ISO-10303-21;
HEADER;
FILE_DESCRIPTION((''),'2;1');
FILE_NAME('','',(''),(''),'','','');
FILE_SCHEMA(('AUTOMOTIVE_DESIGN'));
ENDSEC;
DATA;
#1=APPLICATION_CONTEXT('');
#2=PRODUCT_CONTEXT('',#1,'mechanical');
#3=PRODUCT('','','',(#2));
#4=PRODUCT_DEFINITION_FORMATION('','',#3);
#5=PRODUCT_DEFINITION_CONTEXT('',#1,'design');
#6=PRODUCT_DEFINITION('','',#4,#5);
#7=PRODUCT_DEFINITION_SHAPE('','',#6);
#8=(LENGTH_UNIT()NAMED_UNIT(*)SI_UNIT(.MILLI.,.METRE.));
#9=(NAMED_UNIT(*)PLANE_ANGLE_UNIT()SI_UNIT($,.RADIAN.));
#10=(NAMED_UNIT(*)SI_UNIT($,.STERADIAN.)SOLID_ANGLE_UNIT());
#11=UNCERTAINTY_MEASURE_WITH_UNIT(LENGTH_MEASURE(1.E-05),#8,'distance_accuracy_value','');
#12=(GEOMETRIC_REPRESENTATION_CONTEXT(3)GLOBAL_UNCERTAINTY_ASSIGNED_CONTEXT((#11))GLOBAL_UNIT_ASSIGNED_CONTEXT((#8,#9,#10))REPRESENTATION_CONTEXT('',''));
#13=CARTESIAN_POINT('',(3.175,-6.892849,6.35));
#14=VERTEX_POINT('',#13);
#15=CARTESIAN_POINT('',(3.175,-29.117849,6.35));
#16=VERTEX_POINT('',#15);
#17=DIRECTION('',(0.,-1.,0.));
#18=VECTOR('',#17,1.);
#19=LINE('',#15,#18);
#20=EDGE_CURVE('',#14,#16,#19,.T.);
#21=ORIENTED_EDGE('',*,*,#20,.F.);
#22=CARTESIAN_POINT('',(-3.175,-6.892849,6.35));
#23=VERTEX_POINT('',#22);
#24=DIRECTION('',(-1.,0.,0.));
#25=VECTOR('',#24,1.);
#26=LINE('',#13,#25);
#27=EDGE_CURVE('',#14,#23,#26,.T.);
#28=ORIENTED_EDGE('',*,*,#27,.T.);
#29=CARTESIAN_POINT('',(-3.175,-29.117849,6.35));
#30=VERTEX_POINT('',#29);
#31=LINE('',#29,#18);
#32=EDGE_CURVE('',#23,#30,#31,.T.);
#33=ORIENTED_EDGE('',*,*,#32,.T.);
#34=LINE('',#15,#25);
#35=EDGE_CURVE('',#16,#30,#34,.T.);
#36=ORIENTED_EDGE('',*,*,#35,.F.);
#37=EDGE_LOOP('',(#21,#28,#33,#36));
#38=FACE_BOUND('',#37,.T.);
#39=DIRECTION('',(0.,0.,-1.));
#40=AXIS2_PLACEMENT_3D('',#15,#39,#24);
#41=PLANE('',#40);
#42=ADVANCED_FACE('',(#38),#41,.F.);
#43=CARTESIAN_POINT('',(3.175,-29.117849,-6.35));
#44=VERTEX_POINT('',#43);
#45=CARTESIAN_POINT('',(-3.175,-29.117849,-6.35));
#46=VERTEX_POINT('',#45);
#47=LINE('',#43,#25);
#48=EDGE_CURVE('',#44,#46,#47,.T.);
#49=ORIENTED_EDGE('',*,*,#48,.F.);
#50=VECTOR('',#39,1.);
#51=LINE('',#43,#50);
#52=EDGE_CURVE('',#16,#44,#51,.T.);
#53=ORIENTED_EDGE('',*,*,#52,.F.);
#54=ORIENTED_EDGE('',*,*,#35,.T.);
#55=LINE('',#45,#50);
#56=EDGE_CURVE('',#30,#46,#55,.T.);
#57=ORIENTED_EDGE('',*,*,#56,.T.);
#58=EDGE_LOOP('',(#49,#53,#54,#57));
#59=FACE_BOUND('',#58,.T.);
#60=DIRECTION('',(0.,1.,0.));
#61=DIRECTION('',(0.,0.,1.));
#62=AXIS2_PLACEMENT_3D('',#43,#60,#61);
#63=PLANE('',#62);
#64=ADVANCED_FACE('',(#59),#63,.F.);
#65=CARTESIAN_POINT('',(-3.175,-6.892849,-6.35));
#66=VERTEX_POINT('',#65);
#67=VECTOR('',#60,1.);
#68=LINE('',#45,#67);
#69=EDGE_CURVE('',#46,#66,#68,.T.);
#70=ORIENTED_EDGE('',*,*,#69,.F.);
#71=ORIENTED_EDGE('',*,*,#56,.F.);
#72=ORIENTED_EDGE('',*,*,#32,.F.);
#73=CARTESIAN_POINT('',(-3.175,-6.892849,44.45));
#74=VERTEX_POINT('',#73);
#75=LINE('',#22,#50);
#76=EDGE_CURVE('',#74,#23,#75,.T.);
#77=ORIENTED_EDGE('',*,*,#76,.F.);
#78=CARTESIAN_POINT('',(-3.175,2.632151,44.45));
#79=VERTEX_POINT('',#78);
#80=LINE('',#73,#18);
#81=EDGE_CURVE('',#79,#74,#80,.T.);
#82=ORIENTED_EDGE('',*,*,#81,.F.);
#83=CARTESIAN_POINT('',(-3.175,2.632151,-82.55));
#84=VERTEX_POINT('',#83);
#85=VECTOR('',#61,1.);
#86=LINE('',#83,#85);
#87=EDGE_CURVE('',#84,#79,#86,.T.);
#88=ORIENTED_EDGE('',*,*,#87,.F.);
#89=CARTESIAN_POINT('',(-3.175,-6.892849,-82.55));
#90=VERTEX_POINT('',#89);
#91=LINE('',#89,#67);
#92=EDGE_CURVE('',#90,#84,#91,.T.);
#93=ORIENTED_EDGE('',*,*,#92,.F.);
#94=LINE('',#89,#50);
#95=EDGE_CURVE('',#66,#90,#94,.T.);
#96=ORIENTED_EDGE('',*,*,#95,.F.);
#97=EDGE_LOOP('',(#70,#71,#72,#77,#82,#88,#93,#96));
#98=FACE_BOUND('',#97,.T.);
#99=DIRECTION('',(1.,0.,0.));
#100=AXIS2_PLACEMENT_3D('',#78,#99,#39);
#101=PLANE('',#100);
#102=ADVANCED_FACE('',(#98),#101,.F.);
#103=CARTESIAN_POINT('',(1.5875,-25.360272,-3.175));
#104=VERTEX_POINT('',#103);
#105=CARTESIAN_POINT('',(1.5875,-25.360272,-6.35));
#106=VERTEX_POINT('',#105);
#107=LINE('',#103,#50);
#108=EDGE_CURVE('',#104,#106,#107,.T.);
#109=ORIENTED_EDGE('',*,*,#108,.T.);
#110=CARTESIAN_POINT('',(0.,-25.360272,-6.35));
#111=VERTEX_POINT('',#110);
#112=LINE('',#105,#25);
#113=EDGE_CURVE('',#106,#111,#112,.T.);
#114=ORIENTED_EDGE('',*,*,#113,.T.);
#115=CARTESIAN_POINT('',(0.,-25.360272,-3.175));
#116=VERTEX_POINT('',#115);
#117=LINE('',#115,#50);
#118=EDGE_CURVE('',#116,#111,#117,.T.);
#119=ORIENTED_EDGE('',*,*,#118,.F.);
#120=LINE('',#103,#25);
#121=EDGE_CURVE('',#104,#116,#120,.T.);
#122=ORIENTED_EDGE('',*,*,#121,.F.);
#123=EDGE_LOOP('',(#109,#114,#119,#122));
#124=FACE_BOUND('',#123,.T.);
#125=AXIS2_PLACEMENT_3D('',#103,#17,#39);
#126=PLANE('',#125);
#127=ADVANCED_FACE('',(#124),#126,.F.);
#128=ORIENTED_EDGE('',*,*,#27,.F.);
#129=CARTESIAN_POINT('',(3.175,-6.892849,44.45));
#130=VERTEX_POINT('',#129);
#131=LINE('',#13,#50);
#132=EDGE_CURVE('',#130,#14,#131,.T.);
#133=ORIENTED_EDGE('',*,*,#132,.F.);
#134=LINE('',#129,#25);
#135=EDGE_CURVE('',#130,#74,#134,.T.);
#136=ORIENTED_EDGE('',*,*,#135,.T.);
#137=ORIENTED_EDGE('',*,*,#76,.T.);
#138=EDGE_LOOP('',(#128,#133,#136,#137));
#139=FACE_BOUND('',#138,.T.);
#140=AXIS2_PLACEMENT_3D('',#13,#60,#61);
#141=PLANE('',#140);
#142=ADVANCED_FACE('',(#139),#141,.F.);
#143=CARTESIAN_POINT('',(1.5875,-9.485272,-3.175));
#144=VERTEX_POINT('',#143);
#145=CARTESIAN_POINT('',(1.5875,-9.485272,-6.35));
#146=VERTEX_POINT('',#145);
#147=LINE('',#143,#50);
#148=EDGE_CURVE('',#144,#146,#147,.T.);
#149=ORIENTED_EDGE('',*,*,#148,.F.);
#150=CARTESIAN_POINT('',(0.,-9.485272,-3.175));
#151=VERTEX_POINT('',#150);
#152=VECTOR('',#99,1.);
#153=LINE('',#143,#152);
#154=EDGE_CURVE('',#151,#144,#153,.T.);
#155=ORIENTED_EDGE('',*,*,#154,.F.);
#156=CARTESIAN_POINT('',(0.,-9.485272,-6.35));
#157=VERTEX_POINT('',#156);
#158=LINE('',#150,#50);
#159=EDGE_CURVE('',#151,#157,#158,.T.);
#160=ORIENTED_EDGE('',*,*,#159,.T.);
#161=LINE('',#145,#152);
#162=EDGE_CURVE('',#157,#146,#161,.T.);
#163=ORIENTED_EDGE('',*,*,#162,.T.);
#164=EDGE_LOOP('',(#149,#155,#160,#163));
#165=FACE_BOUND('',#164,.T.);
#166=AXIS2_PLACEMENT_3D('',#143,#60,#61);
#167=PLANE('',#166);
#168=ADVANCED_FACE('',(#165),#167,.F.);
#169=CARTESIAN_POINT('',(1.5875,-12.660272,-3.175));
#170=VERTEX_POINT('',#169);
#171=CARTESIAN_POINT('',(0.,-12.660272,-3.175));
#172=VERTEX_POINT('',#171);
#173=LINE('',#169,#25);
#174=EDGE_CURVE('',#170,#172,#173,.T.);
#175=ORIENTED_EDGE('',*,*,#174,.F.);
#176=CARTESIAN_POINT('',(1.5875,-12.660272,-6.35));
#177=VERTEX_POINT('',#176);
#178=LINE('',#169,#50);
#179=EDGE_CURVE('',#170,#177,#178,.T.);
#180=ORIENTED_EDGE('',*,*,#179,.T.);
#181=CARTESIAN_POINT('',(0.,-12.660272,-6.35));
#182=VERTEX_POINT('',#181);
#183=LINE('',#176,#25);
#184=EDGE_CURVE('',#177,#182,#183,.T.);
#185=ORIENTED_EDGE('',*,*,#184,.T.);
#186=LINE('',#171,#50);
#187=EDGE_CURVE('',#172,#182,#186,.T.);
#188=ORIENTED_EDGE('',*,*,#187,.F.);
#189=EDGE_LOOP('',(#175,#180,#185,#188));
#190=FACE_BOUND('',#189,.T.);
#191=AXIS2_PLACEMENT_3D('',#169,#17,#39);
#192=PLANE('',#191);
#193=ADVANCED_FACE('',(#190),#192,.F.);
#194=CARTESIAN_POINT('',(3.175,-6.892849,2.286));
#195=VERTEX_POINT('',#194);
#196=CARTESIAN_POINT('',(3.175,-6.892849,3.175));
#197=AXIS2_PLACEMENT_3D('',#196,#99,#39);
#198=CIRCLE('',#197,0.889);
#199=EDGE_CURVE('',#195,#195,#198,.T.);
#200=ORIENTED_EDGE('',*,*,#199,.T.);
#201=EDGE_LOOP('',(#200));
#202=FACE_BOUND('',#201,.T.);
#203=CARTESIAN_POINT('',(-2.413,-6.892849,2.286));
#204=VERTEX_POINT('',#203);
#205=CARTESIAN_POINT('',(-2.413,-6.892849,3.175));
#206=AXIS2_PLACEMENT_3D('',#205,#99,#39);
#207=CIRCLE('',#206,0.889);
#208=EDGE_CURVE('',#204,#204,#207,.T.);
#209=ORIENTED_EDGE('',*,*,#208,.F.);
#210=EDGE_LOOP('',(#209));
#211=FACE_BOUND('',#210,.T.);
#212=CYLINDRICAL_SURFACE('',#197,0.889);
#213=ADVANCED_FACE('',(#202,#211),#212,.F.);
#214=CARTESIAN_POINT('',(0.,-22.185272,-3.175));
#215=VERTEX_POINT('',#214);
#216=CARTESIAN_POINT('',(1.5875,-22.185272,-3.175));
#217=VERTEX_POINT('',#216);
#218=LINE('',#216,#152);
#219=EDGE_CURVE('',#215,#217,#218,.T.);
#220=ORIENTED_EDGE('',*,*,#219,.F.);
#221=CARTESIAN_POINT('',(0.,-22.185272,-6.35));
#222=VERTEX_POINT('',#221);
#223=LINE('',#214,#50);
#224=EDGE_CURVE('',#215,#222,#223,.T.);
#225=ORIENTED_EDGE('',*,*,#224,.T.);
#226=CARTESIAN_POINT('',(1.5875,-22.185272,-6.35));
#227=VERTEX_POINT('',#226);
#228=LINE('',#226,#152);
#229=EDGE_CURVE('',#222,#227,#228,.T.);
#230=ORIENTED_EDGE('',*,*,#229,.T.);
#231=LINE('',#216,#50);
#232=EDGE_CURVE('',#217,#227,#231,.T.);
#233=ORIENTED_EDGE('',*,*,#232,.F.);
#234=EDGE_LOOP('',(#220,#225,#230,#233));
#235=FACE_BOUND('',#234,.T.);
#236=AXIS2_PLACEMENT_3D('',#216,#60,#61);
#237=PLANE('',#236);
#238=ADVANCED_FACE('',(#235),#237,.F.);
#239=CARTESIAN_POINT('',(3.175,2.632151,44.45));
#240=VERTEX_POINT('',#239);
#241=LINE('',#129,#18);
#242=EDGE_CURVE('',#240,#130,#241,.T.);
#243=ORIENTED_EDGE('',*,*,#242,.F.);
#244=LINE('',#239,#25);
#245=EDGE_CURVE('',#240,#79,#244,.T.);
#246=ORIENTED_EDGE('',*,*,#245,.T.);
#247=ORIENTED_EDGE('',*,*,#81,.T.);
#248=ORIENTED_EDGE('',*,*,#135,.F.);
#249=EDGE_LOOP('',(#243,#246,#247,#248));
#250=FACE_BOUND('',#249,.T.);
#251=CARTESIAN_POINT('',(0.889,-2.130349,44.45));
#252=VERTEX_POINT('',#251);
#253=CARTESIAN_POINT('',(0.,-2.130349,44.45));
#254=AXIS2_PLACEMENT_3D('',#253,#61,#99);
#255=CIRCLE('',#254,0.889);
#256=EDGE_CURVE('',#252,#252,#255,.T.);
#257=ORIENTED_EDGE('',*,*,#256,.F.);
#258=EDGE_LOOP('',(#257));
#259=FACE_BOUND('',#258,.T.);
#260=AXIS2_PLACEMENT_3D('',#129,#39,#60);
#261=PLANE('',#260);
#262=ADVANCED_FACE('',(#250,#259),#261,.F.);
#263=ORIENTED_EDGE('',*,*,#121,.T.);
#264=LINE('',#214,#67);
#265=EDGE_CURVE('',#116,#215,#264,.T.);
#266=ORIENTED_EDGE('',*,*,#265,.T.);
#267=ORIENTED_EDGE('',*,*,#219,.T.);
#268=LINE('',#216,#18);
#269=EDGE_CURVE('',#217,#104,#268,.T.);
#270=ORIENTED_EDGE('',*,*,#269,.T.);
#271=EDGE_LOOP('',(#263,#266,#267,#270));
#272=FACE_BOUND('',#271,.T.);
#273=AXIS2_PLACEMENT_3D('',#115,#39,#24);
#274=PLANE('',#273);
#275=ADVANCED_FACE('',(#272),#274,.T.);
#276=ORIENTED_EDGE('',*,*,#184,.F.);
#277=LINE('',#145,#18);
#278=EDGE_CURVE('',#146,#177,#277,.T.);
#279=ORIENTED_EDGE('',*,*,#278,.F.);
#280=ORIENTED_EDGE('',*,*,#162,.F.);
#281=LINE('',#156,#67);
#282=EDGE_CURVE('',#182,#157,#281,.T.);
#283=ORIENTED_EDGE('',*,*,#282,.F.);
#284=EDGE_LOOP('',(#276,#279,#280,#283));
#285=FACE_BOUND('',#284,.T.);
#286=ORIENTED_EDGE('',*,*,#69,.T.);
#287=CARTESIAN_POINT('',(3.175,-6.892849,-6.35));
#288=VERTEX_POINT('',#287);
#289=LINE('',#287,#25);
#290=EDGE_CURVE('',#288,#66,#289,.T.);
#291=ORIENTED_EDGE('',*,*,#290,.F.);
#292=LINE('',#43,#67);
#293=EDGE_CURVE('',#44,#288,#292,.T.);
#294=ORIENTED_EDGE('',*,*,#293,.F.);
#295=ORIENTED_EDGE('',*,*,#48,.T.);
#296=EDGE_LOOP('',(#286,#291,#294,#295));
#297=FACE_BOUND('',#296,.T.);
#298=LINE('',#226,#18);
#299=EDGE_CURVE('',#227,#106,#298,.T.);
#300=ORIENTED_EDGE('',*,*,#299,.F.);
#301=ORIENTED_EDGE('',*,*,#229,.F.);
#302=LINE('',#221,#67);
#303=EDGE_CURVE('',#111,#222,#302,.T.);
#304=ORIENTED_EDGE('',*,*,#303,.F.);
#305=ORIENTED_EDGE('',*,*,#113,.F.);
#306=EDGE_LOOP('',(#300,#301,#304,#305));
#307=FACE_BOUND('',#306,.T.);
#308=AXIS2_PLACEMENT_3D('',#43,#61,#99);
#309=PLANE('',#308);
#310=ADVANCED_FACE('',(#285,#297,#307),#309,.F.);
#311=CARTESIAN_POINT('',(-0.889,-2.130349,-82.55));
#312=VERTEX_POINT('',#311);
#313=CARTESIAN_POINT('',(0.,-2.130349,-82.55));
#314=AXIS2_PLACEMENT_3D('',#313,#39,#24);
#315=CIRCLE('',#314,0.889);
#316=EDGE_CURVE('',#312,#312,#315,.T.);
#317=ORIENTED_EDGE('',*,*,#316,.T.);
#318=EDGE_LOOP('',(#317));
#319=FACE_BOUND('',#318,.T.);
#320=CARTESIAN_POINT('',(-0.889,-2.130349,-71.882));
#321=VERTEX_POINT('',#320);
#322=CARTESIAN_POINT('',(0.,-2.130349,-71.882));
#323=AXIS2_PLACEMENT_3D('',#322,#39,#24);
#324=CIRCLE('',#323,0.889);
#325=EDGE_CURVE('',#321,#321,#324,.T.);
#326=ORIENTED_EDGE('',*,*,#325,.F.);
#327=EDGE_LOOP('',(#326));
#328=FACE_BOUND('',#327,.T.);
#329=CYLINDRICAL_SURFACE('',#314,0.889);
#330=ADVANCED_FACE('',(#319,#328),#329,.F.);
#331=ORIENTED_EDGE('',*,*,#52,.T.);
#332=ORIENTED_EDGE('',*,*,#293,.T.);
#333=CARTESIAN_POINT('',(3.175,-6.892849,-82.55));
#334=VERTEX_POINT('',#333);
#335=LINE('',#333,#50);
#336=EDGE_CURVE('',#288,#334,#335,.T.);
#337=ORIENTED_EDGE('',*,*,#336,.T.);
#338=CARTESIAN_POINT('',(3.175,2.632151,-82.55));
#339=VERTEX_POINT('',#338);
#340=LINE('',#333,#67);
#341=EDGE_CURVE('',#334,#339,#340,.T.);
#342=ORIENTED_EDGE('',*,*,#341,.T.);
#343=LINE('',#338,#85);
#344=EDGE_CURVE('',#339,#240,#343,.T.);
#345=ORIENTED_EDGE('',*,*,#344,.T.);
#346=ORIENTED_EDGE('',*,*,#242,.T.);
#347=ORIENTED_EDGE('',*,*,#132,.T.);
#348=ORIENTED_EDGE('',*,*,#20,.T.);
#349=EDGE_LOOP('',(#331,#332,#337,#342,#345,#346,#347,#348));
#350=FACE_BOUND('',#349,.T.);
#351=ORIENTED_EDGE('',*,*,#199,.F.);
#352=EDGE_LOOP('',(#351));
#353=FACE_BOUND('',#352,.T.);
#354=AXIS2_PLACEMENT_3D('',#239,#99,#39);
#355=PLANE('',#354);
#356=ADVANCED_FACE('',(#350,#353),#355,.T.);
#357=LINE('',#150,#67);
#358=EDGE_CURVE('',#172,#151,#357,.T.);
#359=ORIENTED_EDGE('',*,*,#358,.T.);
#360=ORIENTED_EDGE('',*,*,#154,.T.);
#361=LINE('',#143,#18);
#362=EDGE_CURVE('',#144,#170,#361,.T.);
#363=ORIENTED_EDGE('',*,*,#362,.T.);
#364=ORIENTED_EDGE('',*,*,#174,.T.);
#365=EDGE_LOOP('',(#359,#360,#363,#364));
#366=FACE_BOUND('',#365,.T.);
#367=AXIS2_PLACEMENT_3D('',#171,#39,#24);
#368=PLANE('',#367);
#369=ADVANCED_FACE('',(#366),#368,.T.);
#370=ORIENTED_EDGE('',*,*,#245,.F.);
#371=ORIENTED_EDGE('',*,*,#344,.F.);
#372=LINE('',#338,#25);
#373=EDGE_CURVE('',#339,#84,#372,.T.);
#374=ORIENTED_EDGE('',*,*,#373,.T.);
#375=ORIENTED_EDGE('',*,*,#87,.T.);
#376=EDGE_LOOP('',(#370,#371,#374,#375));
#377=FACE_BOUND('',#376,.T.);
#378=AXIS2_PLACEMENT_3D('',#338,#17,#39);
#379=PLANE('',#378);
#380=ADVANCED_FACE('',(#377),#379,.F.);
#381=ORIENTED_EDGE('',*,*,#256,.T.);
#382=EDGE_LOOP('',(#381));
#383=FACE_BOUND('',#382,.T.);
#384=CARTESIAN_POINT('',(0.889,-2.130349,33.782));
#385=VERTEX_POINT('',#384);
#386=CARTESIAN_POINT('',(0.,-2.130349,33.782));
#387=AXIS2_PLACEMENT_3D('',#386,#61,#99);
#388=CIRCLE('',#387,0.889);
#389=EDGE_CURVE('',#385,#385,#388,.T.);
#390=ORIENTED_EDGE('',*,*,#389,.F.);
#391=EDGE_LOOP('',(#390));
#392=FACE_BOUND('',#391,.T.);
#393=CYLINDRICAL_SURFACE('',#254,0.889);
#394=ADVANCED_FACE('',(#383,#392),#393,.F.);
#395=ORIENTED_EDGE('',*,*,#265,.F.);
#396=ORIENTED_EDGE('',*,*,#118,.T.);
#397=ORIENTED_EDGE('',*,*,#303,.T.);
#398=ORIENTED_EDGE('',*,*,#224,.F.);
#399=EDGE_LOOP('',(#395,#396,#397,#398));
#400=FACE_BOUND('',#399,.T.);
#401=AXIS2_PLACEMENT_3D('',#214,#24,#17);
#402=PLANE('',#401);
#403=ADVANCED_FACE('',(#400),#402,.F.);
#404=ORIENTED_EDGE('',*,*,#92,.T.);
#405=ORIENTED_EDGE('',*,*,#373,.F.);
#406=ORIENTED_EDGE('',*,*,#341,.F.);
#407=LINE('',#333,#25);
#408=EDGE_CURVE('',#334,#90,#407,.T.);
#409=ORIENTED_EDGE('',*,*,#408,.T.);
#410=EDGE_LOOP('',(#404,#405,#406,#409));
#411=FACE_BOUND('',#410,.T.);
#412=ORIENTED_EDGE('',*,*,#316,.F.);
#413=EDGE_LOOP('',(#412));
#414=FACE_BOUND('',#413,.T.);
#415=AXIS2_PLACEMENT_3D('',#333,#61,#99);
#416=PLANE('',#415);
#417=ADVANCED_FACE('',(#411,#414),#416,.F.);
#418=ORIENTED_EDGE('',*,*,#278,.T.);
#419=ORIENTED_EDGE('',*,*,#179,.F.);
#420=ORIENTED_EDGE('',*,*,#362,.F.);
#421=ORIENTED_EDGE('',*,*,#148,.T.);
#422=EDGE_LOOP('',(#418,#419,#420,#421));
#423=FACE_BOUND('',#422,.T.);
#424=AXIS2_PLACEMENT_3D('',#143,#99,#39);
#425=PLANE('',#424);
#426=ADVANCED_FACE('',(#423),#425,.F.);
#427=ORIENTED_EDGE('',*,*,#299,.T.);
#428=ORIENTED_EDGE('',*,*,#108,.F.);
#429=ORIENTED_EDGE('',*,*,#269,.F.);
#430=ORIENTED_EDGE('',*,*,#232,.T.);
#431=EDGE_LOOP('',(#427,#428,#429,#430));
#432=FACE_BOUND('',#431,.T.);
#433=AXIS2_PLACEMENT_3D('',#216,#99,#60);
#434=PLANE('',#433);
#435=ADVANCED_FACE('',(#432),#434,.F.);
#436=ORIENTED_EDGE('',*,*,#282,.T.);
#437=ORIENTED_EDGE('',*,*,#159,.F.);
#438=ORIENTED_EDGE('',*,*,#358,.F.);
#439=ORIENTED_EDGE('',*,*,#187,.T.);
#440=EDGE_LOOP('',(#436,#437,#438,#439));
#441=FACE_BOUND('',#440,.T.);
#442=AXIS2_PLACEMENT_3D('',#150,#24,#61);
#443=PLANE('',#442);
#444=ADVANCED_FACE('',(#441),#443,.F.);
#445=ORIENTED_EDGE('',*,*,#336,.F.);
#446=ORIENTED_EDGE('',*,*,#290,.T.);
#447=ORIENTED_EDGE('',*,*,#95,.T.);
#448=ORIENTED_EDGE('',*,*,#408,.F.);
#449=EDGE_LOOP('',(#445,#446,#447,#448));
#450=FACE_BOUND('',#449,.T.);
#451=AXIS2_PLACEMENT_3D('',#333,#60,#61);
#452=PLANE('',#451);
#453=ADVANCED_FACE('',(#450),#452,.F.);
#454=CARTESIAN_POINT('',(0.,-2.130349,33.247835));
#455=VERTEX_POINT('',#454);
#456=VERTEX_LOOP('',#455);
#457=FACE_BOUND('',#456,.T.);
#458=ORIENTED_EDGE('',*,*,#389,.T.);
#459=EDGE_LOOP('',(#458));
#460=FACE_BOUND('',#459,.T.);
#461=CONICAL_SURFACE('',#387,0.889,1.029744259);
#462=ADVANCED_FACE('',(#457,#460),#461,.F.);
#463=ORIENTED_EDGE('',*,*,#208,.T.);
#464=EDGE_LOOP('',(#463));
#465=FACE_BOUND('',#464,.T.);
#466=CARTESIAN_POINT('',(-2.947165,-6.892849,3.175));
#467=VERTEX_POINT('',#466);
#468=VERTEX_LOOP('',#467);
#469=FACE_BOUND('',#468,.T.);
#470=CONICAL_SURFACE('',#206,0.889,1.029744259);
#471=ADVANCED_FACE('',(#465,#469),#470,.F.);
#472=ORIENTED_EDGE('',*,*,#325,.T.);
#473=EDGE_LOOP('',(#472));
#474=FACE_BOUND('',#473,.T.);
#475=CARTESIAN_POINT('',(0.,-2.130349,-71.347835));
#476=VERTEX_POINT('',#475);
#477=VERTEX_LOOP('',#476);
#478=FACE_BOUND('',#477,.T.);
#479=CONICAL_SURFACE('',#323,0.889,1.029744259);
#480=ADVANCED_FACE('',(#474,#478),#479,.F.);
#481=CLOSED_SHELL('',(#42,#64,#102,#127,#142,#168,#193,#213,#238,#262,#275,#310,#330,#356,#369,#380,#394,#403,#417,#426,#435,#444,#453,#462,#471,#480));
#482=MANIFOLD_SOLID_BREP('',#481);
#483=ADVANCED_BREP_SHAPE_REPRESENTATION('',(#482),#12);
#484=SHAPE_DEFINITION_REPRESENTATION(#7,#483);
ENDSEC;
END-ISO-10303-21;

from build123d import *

# Parameters (mm, degrees)
BOSS_EXTRUDE1_DEPTH       = 3.175
SKETCH2_W                 = 1.5875
SKETCH2_H                 = 3.175
CUT_EXTRUDE1_DEPTH        = 3.175
F_2_56_TAPPED_HOLE1_D     = 1.778
F_2_56_TAPPED_HOLE1_DEPTH = 5.588
F_2_56_TAPPED_HOLE1_TIP   = 0.53416509
F_2_56_TAPPED_HOLE2_D     = 1.778
F_2_56_TAPPED_HOLE2_DEPTH = 10.668
F_2_56_TAPPED_HOLE2_TIP   = 0.53416509
F_2_56_TAPPED_HOLE3_D     = 1.778
F_2_56_TAPPED_HOLE3_DEPTH = 10.668
F_2_56_TAPPED_HOLE3_TIP   = 0.53416509


with BuildPart() as part:
    # Sketch1 → Boss-Extrude1 (new body, symmetric)
    with BuildSketch(Plane(origin=(0, 0, 0), x_dir=(0, 0, -1), z_dir=(1, 0, 0))):
        Polygon((-6.35, -6.892849115), (-44.45, -6.892849115), (-44.45, 2.632150885), (82.55, 2.632150885), (82.55, -6.892849115), (6.35, -6.892849115), (6.35, -29.117849115), (-6.35, -29.117849115), align=None)
    extrude(amount=BOSS_EXTRUDE1_DEPTH, both=True)

    # Sketch2 → Cut-Extrude1 (cut)
    with BuildSketch(Plane(origin=(0, 0, -6.35), x_dir=(-1, 0, 0), z_dir=(0, 0, -1))):
        with Locations((-0.79375, -11.072771518)):
            Rectangle(SKETCH2_W, SKETCH2_H)
        with Locations((-0.79375, -23.772771518)):
            Rectangle(SKETCH2_W, SKETCH2_H)
    extrude(amount=-CUT_EXTRUDE1_DEPTH, mode=Mode.SUBTRACT)

    # #2-56 Tapped Hole1
    with Locations(Plane(origin=(3.175, 0, 0), x_dir=(0, 0, -1), z_dir=(1, 0, 0))):
        with Locations((-3.175, -6.892849115)):
            Hole(F_2_56_TAPPED_HOLE1_D / 2, depth=F_2_56_TAPPED_HOLE1_DEPTH)
            with Locations((0, 0, -(F_2_56_TAPPED_HOLE1_DEPTH + F_2_56_TAPPED_HOLE1_TIP / 2))):  # 118° drill point
                Cone(0, F_2_56_TAPPED_HOLE1_D / 2, F_2_56_TAPPED_HOLE1_TIP, mode=Mode.SUBTRACT)

    # #2-56 Tapped Hole2
    with Locations(Plane.XY.offset(44.45)):
        with Locations((0, -2.130349115)):
            Hole(F_2_56_TAPPED_HOLE2_D / 2, depth=F_2_56_TAPPED_HOLE2_DEPTH)
            with Locations((0, 0, -(F_2_56_TAPPED_HOLE2_DEPTH + F_2_56_TAPPED_HOLE2_TIP / 2))):  # 118° drill point
                Cone(0, F_2_56_TAPPED_HOLE2_D / 2, F_2_56_TAPPED_HOLE2_TIP, mode=Mode.SUBTRACT)

    # #2-56 Tapped Hole3
    with Locations(Plane(origin=(0, 0, -82.55), x_dir=(-1, 0, 0), z_dir=(0, 0, -1))):
        with Locations((0, -2.130349115)):
            Hole(F_2_56_TAPPED_HOLE3_D / 2, depth=F_2_56_TAPPED_HOLE3_DEPTH)
            with Locations((0, 0, -(F_2_56_TAPPED_HOLE3_DEPTH + F_2_56_TAPPED_HOLE3_TIP / 2))):  # 118° drill point
                Cone(0, F_2_56_TAPPED_HOLE3_D / 2, F_2_56_TAPPED_HOLE3_TIP, mode=Mode.SUBTRACT)


solid = part.part
